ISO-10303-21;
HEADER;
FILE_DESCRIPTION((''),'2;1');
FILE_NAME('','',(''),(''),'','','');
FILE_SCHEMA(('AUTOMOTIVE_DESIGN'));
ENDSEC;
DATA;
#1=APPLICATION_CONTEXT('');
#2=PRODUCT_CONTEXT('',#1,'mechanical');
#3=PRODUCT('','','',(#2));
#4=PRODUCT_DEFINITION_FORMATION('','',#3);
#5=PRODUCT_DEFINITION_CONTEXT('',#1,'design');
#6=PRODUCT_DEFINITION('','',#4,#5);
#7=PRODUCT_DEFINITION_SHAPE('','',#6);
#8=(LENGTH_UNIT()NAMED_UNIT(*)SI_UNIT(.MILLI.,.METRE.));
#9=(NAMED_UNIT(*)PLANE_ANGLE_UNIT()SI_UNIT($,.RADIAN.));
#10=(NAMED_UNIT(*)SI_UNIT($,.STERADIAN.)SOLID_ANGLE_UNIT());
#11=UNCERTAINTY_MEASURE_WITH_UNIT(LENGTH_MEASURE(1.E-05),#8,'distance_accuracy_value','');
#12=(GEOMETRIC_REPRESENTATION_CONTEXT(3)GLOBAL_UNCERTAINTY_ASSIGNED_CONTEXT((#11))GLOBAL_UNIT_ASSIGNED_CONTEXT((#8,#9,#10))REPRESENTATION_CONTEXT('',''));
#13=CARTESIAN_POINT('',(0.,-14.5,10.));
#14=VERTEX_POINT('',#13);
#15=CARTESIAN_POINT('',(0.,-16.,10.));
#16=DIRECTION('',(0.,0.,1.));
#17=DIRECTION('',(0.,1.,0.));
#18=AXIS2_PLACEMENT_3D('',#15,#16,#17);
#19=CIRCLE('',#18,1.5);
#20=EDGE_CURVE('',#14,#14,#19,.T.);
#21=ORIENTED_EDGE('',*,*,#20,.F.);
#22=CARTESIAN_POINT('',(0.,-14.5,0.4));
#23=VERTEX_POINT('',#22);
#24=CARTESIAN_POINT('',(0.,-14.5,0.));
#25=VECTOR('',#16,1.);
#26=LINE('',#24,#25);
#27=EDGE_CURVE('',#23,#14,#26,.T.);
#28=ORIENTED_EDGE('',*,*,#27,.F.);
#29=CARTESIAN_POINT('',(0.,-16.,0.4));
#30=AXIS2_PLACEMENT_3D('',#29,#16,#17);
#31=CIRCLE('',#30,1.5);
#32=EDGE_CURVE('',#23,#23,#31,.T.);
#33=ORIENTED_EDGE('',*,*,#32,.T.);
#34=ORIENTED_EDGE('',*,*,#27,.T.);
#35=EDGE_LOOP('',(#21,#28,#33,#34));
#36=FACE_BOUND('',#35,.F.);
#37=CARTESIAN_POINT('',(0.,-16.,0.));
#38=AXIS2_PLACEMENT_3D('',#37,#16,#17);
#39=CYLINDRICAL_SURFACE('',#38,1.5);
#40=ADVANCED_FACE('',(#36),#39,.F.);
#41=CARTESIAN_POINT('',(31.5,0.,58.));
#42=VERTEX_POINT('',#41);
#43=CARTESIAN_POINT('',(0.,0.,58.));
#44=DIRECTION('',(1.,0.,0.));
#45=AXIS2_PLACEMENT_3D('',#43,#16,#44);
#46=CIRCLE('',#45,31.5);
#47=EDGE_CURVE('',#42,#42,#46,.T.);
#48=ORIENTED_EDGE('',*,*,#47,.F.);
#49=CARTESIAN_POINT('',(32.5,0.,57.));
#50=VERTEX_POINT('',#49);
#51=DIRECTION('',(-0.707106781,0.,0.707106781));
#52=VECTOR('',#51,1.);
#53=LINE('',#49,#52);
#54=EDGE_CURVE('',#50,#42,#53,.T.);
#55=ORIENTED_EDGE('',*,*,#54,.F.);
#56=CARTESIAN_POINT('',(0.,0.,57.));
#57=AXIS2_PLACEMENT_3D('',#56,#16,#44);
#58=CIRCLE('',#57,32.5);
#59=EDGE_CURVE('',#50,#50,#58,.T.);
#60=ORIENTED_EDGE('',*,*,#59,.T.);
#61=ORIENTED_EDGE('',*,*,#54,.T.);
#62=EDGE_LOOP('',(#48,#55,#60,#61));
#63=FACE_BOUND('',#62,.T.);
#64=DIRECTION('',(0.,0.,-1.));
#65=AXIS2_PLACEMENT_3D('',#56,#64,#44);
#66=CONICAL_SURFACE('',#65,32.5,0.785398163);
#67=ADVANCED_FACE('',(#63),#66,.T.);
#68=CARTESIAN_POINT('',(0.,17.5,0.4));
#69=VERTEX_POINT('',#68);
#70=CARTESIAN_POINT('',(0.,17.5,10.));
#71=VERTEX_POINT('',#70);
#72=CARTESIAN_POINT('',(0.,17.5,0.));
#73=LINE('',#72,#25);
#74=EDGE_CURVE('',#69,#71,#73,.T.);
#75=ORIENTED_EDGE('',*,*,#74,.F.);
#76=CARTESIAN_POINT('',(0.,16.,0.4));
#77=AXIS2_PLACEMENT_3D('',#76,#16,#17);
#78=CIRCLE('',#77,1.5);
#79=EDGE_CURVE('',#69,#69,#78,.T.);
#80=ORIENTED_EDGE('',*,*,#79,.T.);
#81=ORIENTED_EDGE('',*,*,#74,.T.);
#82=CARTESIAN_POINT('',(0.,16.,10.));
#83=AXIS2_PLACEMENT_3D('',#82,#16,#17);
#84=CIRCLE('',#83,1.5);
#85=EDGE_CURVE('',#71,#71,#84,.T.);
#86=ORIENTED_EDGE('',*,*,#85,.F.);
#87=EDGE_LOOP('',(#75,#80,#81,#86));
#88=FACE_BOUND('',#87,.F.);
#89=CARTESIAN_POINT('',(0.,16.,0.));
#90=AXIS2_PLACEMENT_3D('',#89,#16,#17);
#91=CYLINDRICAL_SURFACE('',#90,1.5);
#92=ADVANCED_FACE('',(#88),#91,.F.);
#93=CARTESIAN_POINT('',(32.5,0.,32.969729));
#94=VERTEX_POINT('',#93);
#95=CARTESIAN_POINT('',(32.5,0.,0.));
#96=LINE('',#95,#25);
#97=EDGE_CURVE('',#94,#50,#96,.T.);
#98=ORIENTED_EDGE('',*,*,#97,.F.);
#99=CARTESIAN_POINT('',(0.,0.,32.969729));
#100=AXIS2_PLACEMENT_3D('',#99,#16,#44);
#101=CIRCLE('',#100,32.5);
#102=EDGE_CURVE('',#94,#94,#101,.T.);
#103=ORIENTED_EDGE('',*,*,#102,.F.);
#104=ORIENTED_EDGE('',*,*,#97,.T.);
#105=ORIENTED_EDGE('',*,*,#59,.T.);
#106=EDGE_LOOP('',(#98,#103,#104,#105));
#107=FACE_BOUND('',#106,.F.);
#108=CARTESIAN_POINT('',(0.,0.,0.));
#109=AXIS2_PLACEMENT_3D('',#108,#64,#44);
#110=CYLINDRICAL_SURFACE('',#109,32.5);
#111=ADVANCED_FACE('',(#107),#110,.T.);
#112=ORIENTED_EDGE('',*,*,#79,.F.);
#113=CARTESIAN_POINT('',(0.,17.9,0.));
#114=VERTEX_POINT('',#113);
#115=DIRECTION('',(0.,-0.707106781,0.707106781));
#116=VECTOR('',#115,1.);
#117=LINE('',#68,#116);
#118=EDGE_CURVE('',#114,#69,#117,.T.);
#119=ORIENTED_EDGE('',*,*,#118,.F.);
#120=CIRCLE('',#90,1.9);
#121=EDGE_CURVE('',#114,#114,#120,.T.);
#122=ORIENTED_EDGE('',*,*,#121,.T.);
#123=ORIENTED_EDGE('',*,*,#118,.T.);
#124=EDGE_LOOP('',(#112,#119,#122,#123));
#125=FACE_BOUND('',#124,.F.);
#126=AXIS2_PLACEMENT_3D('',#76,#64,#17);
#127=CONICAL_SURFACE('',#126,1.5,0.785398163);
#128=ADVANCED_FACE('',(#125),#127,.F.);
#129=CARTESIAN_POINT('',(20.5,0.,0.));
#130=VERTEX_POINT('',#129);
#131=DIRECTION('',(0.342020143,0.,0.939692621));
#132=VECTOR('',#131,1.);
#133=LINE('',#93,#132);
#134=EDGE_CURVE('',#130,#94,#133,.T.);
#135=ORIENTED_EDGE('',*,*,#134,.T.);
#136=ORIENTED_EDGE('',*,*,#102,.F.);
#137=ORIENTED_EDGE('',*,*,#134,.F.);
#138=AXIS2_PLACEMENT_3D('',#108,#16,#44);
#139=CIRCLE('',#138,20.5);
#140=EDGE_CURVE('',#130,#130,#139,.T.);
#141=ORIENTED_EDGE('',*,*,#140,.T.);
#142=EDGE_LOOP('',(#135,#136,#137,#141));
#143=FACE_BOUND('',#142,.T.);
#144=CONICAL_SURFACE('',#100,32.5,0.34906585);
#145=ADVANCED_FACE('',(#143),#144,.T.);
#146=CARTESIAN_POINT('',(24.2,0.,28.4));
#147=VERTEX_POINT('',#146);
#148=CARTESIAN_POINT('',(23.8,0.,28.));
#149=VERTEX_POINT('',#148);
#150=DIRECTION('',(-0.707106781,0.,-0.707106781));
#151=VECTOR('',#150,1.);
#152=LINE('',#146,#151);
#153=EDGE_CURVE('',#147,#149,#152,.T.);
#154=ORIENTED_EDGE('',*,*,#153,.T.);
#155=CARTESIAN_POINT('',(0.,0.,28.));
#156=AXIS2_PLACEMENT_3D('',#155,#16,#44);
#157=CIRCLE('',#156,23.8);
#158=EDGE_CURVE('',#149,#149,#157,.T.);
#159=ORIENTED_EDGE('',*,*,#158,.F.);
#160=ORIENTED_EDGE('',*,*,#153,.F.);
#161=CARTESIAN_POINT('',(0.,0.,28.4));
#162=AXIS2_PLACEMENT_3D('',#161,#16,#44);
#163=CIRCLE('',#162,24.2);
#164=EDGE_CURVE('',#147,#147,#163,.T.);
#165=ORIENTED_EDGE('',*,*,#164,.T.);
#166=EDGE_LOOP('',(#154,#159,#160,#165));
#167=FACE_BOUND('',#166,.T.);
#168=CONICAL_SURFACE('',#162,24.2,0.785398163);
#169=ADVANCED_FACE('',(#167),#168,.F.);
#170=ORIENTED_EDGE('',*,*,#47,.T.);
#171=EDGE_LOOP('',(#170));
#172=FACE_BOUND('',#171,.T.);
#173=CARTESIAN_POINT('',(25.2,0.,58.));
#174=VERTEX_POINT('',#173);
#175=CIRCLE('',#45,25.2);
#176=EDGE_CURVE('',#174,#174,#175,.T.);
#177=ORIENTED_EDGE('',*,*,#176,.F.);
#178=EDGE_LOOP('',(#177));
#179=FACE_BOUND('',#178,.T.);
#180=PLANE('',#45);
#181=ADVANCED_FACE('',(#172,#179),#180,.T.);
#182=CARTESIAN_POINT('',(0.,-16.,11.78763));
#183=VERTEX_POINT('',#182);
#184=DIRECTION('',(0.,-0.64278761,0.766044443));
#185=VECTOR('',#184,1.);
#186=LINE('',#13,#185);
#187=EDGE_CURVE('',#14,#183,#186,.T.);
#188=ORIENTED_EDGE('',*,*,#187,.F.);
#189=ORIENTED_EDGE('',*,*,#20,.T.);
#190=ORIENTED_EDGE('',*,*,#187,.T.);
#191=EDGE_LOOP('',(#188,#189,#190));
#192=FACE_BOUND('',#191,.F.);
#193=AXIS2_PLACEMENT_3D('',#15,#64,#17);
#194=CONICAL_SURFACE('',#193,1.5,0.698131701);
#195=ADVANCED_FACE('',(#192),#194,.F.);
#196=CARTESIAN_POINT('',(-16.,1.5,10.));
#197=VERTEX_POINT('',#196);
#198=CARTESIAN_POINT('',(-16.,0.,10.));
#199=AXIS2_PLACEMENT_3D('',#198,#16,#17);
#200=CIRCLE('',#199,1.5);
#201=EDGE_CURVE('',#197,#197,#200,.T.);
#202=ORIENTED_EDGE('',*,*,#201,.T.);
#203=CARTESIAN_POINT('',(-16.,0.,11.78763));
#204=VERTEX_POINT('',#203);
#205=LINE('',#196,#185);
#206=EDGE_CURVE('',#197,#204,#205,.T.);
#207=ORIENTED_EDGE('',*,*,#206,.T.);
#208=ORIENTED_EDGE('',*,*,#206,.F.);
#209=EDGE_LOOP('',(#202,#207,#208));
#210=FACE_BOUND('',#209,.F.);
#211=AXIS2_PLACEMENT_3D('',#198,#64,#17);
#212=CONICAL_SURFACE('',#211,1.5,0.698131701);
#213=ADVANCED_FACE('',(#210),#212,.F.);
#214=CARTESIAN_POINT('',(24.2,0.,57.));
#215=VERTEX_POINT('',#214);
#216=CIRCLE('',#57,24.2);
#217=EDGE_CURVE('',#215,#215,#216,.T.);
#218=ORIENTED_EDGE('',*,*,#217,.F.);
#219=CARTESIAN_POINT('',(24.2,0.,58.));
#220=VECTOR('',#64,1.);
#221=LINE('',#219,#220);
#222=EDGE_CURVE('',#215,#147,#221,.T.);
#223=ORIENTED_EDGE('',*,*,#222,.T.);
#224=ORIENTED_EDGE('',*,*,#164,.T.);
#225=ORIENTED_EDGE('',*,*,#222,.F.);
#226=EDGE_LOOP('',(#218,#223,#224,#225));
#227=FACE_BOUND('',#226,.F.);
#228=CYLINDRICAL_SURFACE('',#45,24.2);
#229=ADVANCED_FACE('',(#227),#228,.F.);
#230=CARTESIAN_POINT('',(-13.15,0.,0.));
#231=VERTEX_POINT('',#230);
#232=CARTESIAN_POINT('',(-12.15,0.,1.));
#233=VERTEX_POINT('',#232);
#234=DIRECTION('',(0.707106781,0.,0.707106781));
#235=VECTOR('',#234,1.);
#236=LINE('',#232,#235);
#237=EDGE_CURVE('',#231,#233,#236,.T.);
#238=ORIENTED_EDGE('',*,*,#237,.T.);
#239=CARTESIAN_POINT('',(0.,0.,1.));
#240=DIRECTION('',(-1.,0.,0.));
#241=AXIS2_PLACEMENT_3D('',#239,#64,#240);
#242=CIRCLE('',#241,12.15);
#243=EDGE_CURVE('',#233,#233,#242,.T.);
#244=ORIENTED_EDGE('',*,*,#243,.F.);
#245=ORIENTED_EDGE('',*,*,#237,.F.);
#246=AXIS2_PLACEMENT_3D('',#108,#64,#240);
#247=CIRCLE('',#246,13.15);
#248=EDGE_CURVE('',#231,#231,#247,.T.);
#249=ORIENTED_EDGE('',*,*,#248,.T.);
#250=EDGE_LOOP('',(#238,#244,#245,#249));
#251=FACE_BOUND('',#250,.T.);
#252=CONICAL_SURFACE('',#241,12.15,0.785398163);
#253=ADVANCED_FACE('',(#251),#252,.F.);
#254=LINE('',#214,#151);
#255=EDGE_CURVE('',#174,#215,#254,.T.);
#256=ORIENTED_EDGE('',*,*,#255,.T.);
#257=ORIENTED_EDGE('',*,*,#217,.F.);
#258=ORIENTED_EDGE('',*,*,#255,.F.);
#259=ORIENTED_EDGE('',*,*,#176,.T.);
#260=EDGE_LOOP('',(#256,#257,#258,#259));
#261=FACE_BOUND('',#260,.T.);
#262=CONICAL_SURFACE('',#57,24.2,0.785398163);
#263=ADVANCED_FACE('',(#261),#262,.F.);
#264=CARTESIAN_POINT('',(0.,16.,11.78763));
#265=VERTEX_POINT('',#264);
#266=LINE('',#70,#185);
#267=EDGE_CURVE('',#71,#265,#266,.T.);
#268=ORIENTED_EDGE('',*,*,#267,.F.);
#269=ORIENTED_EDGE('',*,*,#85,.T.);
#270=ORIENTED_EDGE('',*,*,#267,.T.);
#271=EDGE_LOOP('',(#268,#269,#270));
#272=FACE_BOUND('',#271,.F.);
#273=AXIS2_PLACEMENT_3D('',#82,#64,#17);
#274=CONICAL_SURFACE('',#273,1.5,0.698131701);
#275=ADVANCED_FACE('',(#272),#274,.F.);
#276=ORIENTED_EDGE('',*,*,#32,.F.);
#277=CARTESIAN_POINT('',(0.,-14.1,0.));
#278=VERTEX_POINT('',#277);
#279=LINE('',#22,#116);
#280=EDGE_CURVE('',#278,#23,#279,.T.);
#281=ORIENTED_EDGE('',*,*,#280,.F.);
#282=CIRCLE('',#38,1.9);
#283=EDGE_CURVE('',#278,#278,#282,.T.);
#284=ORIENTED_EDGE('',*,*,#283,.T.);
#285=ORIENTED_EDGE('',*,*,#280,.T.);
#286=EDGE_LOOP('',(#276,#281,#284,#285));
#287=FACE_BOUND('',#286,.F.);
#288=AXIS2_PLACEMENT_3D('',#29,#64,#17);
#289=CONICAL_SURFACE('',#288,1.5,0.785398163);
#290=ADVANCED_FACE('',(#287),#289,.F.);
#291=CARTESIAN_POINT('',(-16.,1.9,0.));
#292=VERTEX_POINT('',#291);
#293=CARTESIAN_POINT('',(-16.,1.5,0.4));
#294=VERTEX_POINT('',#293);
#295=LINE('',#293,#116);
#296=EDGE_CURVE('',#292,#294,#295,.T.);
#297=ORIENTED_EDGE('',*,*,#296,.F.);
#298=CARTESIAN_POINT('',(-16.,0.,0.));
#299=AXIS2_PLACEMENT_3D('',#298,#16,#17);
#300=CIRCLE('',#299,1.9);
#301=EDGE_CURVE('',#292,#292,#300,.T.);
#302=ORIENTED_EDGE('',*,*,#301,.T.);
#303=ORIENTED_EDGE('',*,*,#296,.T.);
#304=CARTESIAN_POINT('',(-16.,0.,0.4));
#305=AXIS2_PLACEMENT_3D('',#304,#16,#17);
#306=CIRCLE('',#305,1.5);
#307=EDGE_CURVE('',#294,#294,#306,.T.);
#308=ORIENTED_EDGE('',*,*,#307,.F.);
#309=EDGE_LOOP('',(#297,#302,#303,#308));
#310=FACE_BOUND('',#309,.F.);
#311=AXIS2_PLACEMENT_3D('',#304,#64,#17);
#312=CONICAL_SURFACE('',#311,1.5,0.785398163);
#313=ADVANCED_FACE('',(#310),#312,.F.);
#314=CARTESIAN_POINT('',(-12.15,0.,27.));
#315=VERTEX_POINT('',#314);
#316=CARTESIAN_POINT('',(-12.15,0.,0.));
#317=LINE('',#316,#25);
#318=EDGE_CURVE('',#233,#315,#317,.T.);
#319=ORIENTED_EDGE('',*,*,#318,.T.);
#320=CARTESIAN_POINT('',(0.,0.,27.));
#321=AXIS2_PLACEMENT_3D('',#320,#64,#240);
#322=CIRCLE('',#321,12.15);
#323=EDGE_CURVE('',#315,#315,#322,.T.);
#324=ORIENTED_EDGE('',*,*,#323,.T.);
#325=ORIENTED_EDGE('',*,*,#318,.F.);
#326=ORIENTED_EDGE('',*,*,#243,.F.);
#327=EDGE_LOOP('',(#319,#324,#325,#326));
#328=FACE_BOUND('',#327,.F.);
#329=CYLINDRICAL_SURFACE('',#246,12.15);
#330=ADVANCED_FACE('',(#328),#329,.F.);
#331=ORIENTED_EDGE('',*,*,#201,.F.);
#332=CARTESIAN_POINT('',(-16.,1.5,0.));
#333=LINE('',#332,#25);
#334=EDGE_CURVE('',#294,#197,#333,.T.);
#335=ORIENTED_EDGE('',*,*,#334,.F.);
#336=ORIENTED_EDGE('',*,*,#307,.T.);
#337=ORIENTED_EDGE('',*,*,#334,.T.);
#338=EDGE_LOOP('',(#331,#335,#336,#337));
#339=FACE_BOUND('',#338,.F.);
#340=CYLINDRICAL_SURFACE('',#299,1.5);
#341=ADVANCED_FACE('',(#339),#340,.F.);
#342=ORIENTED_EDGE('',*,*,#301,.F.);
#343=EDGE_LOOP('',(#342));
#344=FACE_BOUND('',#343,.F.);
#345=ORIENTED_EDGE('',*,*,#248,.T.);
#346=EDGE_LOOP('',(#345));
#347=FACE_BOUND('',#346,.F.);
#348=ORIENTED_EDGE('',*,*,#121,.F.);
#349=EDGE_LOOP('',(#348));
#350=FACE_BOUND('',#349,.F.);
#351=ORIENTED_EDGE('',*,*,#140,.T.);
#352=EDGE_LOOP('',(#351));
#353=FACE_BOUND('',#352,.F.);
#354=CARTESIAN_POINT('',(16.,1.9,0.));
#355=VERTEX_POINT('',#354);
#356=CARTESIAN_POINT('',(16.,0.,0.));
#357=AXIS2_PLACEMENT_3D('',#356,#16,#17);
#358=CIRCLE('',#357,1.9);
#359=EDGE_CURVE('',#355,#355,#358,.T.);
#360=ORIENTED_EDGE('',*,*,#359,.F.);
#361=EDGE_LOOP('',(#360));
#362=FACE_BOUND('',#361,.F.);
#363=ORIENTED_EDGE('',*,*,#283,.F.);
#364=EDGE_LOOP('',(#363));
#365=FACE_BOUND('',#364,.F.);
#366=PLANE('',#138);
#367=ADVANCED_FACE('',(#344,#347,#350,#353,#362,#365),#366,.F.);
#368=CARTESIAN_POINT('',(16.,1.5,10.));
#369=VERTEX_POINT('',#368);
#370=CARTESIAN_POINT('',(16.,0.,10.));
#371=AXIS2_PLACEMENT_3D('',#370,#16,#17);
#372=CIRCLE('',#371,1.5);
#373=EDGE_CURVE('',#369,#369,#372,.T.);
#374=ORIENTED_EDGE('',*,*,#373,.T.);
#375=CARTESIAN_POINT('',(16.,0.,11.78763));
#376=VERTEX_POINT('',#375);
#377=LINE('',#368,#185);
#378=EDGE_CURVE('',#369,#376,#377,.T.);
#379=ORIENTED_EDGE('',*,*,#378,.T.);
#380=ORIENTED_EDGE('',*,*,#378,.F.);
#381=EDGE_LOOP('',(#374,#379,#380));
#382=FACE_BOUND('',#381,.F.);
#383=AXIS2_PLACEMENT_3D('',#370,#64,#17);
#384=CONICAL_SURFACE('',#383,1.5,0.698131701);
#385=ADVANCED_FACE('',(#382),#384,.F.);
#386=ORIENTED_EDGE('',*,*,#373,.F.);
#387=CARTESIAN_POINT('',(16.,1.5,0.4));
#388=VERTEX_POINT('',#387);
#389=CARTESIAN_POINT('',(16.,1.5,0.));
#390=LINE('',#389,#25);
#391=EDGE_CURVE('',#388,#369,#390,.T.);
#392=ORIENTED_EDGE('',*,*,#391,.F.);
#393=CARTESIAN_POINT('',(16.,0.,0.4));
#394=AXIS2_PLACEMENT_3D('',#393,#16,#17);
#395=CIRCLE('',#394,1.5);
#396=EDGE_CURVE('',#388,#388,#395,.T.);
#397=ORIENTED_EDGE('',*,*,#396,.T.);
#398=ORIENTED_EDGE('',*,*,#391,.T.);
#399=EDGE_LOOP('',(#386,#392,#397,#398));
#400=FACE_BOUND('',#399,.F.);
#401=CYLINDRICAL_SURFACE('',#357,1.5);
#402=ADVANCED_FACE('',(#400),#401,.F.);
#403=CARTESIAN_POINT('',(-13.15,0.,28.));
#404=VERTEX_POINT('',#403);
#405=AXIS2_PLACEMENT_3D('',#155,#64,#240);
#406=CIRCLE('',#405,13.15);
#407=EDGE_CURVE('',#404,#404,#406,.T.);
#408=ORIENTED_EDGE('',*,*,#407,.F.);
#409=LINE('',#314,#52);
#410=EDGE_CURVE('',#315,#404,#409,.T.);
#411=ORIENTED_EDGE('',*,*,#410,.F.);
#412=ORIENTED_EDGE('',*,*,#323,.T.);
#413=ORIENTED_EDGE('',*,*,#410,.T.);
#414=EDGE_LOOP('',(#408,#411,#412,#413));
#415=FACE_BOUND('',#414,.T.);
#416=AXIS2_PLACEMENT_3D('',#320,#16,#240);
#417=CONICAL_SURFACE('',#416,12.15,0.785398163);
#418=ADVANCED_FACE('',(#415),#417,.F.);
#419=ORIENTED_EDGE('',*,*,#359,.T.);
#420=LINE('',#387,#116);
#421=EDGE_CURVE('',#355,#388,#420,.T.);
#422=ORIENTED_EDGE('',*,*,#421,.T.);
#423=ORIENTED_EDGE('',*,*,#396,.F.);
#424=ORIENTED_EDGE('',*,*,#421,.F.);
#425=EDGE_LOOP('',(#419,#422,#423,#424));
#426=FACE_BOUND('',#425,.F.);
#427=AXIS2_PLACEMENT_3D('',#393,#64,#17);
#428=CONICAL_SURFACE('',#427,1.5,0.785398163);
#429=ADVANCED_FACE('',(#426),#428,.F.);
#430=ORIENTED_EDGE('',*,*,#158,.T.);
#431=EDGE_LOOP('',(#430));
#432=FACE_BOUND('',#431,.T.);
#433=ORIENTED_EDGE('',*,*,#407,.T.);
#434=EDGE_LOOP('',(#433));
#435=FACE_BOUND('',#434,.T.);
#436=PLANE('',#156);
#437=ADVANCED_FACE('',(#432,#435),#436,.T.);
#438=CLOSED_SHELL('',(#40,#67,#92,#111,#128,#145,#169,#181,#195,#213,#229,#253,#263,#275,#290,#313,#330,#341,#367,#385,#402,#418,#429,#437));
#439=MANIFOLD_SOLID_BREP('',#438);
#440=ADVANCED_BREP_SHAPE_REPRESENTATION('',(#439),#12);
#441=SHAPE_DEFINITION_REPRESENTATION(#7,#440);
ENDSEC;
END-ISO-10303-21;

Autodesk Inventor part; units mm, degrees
ref_plane "YZ Plane" through (0, 0, 0) normal (1, 0, 0) x (0, 1, 0)
ref_plane "XZ Plane" through (0, 0, 0) normal (0, 1, 0) x (-1, 0, 0)
ref_plane "XY Plane" through (0, 0, 0) normal (0, 0, 1) x (1, 0, 0)
sketch "Sketch1" plane through (0, 0, 0) normal (0, 0, 1) x (1, 0, 0)
  circle A0 centre (0, 0) radius 32.5
  dimension "d0" = 65
extrude "Extrusion1" add sketch "Sketch1" along normal blind 58
sketch "Sketch2" plane through (0, 0, 58) normal (0, 0, 1) x (1, 0, 0)
  circle A0 centre (0, 0) radius 24.2
  dimension "d3" = 48.4
extrude "Extrusion2" cut sketch "Sketch2" against normal blind 30
sketch "Sketch3" plane through (0, 0, 0) normal (0, 0, -1) x (-1, 0, 0)
  circle A0 centre (0, 0) radius 12.15
  dimension "d6" = 24.3
extrude "Extrusion3" cut sketch "Sketch3" against normal through all
sketch "Sketch4" plane through (0, 0, 0) normal (0, 0, -1) x (-1, 0, 0)
  circle A0 centre (0, 0) radius 16 construction
  point P0 (-16, 0)
  point P1 (16, 0)
  point P2 (0, -16)
  point P3 (0, 16)
  dimension "d9" = 32
hole "Hole1" at (16, 0, 0) at (-16, 0, 0) at (0, -16, 0) at (0, 16, 0) direction (0, 0, 1) diameter 3 depth 10 tip angle 80
chamfer "Chamfer1" distance 1 angle 45 4 edges at (-32.5, 0, 58) (12.15, 0, 0) (-24.2, 0, 58) (12.15, 0, 28)
chamfer "Chamfer2" distance 0.4 angle 45 1 edges at (-24.2, 0, 28)
chamfer "Chamfer3" distance 12 angle 70 1 edges at (-32.5, 0, 0) measured on face at (9.1116, -18.0337, 0)
chamfer "Chamfer4" distance 0.4 angle 45 4 edges at (0, -17.5, 0) (-16, -1.5, 0) (16, -1.5, 0) (0, 14.5, 0)
properties part number "FujiiEchelleColilmatorAttachement" material "ABS Plastic"
